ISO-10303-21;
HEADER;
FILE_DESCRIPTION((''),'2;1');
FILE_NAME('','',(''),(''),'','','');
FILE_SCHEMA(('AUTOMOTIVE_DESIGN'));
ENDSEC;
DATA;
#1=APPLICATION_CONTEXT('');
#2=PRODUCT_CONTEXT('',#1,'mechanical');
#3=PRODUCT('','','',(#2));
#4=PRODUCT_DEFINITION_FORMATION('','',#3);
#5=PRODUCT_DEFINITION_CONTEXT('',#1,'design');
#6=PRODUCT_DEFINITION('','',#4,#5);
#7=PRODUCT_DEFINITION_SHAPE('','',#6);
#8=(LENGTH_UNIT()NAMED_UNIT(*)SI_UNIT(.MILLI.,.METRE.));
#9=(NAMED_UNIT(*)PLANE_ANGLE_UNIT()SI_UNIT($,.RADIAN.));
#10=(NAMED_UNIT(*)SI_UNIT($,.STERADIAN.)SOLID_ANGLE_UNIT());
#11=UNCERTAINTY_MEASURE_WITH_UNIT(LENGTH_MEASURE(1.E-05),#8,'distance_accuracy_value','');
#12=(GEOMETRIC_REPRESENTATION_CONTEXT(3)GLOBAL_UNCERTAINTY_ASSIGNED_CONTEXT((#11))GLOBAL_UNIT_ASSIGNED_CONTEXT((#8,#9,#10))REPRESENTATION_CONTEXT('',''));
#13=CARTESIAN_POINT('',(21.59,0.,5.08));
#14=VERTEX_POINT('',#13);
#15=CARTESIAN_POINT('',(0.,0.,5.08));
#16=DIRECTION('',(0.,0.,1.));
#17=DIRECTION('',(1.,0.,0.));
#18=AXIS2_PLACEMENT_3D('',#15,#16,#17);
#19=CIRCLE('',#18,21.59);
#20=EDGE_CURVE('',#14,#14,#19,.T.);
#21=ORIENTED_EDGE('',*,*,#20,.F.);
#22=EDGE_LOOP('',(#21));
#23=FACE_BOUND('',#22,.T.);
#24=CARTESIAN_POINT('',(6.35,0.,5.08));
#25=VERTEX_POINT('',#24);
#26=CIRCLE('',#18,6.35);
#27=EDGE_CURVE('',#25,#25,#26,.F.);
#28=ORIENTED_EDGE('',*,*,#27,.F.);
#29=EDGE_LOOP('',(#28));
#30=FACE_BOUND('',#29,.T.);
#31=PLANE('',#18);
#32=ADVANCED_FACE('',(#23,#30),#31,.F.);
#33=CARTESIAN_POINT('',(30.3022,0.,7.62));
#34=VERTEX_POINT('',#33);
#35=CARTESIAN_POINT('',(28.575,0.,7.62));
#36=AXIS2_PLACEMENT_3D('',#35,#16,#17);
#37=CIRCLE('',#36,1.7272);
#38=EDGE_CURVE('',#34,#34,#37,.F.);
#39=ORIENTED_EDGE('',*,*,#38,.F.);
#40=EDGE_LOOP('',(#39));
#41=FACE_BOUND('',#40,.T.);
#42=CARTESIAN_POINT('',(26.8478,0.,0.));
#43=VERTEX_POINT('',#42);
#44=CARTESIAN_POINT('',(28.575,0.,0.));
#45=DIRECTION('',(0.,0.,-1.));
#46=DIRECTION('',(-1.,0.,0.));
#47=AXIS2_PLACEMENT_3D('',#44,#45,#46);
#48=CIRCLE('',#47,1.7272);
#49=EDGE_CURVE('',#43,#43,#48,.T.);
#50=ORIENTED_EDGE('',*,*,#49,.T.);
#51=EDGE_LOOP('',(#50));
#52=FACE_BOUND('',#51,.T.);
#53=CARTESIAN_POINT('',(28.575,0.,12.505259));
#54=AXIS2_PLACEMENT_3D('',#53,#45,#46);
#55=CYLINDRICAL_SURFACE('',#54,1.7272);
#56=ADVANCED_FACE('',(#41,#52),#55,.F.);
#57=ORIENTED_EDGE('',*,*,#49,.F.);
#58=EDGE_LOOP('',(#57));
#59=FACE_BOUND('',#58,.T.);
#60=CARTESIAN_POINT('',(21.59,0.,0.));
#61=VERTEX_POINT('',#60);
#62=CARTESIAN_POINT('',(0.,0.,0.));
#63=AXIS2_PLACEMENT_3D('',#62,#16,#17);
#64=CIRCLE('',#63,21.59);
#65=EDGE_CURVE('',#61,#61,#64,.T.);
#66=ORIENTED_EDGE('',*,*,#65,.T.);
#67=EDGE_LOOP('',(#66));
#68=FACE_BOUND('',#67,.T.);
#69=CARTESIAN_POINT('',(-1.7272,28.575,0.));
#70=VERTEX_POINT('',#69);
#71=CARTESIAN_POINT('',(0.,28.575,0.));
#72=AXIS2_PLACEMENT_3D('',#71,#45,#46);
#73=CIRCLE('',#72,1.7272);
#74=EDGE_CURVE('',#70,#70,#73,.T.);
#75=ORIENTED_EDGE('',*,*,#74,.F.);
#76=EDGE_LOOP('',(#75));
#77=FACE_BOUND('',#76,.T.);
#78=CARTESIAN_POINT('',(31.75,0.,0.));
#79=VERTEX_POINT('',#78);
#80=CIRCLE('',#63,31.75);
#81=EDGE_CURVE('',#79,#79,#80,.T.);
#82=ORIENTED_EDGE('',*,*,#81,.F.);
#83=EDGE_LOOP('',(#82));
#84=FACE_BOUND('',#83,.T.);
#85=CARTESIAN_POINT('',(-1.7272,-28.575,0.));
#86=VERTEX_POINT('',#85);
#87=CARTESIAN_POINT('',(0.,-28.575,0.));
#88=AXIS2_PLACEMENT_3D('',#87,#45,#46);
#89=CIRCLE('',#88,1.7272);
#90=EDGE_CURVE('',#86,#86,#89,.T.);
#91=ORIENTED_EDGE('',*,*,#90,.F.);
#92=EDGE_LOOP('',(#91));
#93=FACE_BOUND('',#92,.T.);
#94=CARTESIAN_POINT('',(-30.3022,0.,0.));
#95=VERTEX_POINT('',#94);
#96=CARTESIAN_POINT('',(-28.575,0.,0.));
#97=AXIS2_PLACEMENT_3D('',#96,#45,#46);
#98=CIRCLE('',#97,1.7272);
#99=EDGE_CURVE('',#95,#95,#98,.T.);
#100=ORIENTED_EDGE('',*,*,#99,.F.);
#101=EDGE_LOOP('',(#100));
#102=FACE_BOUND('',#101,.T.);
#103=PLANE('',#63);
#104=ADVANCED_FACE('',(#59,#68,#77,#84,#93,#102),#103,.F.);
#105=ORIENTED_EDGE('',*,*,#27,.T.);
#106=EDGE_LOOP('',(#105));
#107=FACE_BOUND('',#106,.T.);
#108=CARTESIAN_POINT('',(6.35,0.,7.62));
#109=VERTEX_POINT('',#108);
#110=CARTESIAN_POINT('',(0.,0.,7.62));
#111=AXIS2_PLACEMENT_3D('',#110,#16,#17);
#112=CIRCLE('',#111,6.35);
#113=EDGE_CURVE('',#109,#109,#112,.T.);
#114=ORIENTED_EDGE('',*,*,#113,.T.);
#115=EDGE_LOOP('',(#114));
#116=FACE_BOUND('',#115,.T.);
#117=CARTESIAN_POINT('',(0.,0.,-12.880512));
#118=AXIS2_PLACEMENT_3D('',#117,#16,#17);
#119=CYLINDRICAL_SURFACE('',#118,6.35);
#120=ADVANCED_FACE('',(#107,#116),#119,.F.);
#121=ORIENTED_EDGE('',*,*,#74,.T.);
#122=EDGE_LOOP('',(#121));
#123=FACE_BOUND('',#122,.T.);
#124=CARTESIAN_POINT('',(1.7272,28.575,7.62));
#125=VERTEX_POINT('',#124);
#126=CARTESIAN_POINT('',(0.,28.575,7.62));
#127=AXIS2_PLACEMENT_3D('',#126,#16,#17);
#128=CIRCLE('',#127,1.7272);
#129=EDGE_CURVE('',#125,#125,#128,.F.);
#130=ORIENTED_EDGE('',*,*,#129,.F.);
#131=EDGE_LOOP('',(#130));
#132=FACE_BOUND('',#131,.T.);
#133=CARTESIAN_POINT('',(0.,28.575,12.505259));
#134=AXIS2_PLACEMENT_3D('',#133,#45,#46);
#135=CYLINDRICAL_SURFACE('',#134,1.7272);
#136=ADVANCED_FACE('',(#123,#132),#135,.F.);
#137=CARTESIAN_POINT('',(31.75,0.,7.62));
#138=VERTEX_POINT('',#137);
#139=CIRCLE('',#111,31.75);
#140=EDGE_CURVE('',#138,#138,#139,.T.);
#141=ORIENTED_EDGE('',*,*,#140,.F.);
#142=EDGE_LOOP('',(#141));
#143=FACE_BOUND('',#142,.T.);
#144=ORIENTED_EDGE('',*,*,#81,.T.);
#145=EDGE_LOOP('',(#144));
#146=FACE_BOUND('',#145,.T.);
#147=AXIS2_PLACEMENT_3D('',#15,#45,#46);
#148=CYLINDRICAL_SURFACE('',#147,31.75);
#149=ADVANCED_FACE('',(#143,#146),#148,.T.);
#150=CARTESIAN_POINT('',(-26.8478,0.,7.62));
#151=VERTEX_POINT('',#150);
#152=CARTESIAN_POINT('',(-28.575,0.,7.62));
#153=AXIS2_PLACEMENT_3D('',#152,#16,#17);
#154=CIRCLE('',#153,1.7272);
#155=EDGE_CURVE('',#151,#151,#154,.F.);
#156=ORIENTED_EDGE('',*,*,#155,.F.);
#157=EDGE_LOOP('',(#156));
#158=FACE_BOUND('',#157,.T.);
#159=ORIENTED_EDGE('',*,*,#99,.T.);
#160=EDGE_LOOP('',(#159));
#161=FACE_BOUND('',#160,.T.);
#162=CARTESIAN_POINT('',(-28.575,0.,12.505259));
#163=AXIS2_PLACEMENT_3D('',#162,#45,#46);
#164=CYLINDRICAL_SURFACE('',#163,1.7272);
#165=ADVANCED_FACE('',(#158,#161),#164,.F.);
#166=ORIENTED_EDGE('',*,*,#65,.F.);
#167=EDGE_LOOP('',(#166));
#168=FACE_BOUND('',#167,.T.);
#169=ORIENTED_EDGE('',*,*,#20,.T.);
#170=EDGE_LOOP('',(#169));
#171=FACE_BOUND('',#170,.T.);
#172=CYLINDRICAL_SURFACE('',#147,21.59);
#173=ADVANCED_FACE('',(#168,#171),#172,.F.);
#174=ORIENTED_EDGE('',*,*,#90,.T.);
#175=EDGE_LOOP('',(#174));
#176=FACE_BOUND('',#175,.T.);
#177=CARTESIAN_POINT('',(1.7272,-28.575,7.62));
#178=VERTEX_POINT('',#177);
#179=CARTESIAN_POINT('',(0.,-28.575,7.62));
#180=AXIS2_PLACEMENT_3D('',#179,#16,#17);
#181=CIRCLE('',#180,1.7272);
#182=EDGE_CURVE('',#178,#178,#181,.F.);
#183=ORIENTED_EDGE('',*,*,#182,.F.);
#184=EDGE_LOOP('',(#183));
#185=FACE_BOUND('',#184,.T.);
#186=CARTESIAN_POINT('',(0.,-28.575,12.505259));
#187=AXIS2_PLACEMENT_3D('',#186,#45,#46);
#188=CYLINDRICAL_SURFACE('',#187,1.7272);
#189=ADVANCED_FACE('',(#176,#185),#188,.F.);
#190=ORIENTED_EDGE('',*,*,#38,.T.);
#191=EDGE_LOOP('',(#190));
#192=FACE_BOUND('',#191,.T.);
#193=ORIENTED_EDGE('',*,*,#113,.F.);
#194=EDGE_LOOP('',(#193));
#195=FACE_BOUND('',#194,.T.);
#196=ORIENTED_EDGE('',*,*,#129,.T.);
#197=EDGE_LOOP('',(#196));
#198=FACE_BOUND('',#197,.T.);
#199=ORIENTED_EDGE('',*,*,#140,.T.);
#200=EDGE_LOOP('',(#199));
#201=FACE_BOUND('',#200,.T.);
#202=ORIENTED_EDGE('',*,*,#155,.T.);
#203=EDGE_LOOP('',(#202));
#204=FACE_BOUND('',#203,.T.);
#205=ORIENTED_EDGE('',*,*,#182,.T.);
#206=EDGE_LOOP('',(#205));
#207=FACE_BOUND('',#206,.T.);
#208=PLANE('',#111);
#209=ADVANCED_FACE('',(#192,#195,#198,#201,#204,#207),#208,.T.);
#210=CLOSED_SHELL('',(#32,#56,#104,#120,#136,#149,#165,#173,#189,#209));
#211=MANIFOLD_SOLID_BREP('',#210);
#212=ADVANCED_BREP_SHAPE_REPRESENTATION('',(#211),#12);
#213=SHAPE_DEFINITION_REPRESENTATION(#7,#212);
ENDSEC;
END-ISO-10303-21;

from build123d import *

# Parameters (mm, degrees)
SKETCH1_R           = 31.75
SKETCH1_R_2         = 21.59
BOSS_EXTRUDE1_DEPTH = 5.08
SKETCH2_R           = 31.75
BOSS_EXTRUDE2_DEPTH = 2.54
SKETCH3_R           = 1.7272
CUT_EXTRUDE1_DEPTH  = 7.62
SKETCH4_R           = 6.35
CUT_EXTRUDE2_DEPTH  = 2.54


with BuildPart() as part:
    # Sketch1 → Boss-Extrude1 (new body)
    with BuildSketch(Plane.XY):
        Circle(SKETCH1_R)
        Circle(SKETCH1_R_2, mode=Mode.SUBTRACT)
    extrude(amount=BOSS_EXTRUDE1_DEPTH)

    # Sketch2 → Boss-Extrude2 (add)
    with BuildSketch(Plane.XY.offset(5.08)):
        Circle(SKETCH2_R)
    extrude(amount=BOSS_EXTRUDE2_DEPTH)

    # Sketch3 → Cut-Extrude1 (cut)
    with BuildSketch(Plane(origin=(0, 0, 0), x_dir=(-1, 0, 0), z_dir=(0, 0, -1))):
        with Locations((0, 28.575)):
            Circle(SKETCH3_R)
        with Locations((28.575, 0)):
            Circle(SKETCH3_R)
        with Locations((0, -28.575)):
            Circle(SKETCH3_R)
        with Locations((-28.575, 0)):
            Circle(SKETCH3_R)
    extrude(amount=-CUT_EXTRUDE1_DEPTH, mode=Mode.SUBTRACT)

    # Sketch4 → Cut-Extrude2 (cut)
    with BuildSketch(Plane.XY.offset(7.62)):
        Circle(SKETCH4_R)
    extrude(amount=-CUT_EXTRUDE2_DEPTH, mode=Mode.SUBTRACT)


solid = part.part
